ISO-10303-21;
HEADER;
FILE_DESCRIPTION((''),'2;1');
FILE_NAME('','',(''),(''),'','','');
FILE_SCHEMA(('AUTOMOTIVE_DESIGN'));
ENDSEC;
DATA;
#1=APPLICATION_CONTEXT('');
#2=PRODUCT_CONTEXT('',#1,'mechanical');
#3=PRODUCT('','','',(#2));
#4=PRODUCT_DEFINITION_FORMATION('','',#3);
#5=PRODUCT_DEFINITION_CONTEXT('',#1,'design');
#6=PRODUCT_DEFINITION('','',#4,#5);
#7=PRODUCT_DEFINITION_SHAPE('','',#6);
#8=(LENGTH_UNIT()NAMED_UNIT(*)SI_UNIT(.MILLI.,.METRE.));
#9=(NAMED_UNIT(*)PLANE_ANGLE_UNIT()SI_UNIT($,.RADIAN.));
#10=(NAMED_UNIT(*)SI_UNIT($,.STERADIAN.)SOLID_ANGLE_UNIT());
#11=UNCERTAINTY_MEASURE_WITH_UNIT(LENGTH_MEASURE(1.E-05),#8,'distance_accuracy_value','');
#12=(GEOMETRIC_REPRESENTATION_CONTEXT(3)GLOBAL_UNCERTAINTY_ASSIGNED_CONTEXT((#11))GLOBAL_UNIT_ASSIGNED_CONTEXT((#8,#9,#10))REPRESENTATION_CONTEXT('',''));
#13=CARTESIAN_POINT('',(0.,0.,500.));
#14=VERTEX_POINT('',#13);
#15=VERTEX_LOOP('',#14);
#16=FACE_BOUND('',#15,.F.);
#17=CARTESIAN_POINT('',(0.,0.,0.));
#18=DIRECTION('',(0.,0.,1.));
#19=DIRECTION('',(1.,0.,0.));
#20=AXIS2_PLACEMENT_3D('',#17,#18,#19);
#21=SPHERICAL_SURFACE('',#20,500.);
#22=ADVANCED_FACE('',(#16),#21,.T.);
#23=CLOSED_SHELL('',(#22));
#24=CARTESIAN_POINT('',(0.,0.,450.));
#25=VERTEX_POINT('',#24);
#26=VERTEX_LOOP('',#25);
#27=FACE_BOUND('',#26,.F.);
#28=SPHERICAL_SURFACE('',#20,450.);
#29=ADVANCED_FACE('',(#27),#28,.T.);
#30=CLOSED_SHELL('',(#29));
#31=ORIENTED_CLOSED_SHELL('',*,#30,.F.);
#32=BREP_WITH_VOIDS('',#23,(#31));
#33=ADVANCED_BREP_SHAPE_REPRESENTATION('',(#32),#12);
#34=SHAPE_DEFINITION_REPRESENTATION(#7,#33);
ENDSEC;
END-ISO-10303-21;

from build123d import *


with BuildPart() as f1:
    # F0 (on Front) → F1 (revolve)
    with BuildSketch(Plane.XZ):
        with BuildLine():
            Line((0, 500), (0, -500))
            ThreePointArc((0, -500), (500, 0), (0, 500))
        make_face()
    revolve(axis=Axis((0, 0, 0), (0, 0, -1)))

    # F2 (on Front) → F3 (revolve, cut)
    with BuildSketch(Plane.XZ):
        with BuildLine():
            Line((0, 450), (0, -450))
            ThreePointArc((0, -450), (450, 0), (0, 450))
        make_face()
    revolve(axis=Axis((0, 0, 0), (0, 0, -1)), mode=Mode.SUBTRACT)


solid = f1.part
